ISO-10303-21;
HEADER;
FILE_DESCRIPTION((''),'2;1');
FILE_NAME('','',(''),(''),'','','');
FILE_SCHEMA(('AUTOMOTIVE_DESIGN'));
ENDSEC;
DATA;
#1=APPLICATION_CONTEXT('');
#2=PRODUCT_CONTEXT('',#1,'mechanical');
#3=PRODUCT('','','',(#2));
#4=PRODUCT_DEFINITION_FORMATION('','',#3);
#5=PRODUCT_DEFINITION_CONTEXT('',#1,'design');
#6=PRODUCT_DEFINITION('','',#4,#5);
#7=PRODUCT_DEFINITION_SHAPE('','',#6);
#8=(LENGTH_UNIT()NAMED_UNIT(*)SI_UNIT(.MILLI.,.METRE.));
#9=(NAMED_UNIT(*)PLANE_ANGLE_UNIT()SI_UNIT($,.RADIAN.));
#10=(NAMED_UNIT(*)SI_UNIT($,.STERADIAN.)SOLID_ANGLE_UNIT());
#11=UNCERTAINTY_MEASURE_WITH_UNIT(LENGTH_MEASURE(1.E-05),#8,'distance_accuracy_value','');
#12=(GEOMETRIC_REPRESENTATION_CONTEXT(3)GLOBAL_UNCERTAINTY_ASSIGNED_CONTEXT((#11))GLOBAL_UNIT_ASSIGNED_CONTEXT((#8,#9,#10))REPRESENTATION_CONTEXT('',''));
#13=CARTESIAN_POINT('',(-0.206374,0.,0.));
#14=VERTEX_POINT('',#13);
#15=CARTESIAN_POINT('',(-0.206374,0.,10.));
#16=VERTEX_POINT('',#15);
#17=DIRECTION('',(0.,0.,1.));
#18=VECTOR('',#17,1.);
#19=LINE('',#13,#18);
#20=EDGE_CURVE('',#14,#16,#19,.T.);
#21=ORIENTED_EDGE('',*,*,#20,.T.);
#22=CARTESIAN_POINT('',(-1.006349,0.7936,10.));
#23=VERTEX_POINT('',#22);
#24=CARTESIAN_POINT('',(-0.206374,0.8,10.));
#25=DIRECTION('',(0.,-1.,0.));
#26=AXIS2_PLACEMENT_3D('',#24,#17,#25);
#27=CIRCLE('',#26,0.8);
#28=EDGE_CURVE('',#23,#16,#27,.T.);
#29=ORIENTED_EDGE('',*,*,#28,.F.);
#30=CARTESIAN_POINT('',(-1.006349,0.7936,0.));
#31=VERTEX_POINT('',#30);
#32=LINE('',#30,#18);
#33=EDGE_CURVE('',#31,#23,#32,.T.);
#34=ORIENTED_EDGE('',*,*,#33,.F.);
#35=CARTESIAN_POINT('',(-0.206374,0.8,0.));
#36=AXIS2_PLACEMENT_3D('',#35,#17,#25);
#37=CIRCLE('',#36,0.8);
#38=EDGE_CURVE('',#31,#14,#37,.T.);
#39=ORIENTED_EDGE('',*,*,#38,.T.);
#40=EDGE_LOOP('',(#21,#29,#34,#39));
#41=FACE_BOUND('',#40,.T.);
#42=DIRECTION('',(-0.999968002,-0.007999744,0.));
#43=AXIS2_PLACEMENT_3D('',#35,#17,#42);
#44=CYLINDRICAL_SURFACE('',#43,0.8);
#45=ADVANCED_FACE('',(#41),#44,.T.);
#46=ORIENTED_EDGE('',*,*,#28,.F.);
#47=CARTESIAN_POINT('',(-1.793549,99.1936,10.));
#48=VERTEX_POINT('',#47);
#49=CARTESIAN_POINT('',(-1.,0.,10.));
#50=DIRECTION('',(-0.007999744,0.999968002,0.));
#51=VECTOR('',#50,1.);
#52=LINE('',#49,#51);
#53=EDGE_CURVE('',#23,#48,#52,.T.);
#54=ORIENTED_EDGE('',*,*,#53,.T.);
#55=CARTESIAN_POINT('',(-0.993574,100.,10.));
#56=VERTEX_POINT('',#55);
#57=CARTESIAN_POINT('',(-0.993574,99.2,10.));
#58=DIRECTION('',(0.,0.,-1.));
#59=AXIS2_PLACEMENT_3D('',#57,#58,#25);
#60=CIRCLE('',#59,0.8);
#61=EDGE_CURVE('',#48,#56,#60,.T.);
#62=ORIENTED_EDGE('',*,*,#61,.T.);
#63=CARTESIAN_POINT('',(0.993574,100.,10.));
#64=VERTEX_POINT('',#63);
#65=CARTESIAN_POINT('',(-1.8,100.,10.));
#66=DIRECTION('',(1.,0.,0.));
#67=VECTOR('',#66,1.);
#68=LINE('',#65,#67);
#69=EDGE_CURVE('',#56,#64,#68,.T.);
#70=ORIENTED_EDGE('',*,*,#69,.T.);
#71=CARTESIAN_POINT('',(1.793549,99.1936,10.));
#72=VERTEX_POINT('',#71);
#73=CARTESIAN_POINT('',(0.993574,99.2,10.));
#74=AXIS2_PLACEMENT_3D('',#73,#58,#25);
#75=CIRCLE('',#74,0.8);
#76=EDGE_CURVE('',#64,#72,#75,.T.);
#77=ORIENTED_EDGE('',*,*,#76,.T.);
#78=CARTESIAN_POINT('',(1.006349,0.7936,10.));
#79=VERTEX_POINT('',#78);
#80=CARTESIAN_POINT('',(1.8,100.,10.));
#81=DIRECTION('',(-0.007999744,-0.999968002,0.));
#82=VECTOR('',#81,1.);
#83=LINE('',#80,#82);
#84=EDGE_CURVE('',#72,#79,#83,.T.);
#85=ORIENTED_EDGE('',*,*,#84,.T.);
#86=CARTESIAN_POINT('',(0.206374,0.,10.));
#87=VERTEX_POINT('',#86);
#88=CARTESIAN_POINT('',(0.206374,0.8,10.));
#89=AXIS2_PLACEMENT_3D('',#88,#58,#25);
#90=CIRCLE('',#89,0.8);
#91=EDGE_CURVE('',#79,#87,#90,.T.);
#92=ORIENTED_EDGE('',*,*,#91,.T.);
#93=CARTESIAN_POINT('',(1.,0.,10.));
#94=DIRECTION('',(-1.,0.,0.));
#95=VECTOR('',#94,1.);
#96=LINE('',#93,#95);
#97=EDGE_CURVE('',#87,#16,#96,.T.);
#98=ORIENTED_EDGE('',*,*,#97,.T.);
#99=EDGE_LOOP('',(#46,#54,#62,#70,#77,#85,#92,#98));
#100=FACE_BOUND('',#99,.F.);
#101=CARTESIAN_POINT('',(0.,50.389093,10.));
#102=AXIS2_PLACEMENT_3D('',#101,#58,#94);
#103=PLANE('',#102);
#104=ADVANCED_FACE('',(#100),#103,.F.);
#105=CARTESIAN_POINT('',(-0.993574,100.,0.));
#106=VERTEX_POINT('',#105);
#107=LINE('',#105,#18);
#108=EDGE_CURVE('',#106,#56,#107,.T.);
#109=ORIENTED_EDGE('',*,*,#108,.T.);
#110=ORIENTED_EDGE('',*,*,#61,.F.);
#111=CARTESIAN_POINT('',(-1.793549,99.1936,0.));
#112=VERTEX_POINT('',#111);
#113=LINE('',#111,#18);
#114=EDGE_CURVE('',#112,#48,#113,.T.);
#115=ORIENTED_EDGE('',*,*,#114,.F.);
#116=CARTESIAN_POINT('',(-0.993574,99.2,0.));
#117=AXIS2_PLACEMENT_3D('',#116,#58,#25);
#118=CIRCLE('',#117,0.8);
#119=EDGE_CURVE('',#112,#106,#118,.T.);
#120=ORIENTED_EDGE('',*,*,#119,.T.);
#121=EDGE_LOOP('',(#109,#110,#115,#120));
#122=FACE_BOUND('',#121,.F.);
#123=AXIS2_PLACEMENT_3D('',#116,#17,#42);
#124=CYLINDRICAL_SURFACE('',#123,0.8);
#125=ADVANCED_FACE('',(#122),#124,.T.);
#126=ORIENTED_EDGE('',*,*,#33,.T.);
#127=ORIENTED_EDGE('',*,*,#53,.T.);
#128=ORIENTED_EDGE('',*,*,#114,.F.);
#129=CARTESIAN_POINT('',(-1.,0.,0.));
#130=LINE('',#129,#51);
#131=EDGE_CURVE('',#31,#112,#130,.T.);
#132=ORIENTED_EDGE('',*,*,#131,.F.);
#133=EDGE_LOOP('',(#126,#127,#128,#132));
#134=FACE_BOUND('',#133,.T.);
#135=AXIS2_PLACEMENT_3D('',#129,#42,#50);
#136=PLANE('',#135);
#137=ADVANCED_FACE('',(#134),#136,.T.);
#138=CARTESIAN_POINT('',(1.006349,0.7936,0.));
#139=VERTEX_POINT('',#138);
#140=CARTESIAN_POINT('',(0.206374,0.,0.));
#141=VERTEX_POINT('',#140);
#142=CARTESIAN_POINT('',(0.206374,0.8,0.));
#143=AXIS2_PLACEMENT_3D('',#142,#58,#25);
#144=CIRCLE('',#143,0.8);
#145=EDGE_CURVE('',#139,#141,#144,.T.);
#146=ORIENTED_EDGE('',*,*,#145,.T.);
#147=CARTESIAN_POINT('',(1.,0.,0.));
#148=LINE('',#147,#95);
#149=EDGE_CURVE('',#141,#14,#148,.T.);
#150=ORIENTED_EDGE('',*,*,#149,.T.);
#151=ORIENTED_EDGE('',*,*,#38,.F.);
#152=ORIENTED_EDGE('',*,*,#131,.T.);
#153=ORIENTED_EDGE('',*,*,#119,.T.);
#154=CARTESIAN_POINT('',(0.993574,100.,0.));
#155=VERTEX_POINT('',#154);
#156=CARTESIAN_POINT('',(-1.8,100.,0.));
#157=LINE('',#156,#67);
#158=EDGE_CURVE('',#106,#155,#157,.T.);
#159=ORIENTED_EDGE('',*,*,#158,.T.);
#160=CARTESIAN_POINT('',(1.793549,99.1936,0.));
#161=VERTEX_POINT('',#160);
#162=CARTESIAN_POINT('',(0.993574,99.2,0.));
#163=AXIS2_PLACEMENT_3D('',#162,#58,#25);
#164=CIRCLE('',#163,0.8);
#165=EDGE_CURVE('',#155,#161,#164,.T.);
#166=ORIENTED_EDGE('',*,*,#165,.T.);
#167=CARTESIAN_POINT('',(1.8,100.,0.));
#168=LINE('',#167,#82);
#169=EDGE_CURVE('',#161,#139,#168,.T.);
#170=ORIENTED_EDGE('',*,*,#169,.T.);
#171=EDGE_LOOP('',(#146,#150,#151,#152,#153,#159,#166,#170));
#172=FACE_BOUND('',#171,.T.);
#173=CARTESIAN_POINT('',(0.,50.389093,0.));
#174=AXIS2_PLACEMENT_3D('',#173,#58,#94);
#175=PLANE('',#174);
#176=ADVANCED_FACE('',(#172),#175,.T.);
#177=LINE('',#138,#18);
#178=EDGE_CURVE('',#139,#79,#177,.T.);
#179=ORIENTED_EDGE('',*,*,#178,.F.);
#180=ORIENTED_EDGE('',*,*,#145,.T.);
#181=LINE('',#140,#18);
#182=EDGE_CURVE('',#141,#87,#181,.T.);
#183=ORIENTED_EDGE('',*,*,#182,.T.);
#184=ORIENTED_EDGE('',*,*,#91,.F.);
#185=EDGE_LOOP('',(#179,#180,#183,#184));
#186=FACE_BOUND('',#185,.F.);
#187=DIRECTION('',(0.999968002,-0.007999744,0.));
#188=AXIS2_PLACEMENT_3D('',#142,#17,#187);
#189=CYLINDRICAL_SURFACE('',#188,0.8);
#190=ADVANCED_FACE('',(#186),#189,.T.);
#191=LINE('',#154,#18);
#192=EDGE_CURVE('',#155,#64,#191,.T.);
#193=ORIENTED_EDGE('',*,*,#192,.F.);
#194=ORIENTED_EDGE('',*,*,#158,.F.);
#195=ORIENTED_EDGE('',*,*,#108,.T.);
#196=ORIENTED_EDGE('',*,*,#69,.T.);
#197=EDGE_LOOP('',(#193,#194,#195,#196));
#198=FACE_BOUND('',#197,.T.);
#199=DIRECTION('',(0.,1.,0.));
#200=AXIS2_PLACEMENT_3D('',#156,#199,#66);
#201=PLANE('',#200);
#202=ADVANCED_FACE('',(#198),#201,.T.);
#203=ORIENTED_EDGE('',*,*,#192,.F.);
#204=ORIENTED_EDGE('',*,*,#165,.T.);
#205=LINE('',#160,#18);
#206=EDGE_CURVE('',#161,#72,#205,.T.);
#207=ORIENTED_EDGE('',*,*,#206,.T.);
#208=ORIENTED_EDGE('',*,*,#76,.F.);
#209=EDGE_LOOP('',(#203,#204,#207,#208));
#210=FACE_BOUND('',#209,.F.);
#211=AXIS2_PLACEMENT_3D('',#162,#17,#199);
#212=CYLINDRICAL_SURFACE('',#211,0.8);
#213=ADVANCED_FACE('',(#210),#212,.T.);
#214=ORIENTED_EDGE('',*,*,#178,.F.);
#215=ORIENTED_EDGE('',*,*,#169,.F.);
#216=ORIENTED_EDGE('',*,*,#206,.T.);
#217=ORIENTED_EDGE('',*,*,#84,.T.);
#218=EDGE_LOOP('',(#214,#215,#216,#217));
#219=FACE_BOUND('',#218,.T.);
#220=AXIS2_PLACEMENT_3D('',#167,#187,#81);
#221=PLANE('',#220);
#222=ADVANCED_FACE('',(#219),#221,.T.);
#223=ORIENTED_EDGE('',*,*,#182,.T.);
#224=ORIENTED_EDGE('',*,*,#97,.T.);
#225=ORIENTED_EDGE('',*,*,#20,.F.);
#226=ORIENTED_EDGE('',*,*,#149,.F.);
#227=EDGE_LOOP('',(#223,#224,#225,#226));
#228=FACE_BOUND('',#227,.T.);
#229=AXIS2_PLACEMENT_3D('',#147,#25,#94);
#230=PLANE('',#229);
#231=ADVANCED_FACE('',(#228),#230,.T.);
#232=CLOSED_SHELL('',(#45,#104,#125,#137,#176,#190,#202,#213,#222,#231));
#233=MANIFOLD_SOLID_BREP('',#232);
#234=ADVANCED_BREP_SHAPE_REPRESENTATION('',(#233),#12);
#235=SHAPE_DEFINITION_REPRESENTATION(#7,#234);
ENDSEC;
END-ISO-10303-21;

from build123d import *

# Parameters (mm, degrees)
PAD_DEPTH = 10
FILLET_R  = 0.8


with BuildPart() as part:
    # Sketch → Pad (new body)
    with BuildSketch(Plane.XY):
        Polygon((-1, 0), (-1.8, 100), (1.8, 100), (1, 0), align=None)
    extrude(amount=PAD_DEPTH)

    # Fillet
    fillet_edges = [part.edges().sort_by_distance(p)[0] for p in [
        (-1.8, 100, 5),
        (1.8, 100, 5),
        (-1, 0, 5),
        (1, 0, 5),
    ]]
    fillet(fillet_edges, radius=FILLET_R)


solid = part.part
